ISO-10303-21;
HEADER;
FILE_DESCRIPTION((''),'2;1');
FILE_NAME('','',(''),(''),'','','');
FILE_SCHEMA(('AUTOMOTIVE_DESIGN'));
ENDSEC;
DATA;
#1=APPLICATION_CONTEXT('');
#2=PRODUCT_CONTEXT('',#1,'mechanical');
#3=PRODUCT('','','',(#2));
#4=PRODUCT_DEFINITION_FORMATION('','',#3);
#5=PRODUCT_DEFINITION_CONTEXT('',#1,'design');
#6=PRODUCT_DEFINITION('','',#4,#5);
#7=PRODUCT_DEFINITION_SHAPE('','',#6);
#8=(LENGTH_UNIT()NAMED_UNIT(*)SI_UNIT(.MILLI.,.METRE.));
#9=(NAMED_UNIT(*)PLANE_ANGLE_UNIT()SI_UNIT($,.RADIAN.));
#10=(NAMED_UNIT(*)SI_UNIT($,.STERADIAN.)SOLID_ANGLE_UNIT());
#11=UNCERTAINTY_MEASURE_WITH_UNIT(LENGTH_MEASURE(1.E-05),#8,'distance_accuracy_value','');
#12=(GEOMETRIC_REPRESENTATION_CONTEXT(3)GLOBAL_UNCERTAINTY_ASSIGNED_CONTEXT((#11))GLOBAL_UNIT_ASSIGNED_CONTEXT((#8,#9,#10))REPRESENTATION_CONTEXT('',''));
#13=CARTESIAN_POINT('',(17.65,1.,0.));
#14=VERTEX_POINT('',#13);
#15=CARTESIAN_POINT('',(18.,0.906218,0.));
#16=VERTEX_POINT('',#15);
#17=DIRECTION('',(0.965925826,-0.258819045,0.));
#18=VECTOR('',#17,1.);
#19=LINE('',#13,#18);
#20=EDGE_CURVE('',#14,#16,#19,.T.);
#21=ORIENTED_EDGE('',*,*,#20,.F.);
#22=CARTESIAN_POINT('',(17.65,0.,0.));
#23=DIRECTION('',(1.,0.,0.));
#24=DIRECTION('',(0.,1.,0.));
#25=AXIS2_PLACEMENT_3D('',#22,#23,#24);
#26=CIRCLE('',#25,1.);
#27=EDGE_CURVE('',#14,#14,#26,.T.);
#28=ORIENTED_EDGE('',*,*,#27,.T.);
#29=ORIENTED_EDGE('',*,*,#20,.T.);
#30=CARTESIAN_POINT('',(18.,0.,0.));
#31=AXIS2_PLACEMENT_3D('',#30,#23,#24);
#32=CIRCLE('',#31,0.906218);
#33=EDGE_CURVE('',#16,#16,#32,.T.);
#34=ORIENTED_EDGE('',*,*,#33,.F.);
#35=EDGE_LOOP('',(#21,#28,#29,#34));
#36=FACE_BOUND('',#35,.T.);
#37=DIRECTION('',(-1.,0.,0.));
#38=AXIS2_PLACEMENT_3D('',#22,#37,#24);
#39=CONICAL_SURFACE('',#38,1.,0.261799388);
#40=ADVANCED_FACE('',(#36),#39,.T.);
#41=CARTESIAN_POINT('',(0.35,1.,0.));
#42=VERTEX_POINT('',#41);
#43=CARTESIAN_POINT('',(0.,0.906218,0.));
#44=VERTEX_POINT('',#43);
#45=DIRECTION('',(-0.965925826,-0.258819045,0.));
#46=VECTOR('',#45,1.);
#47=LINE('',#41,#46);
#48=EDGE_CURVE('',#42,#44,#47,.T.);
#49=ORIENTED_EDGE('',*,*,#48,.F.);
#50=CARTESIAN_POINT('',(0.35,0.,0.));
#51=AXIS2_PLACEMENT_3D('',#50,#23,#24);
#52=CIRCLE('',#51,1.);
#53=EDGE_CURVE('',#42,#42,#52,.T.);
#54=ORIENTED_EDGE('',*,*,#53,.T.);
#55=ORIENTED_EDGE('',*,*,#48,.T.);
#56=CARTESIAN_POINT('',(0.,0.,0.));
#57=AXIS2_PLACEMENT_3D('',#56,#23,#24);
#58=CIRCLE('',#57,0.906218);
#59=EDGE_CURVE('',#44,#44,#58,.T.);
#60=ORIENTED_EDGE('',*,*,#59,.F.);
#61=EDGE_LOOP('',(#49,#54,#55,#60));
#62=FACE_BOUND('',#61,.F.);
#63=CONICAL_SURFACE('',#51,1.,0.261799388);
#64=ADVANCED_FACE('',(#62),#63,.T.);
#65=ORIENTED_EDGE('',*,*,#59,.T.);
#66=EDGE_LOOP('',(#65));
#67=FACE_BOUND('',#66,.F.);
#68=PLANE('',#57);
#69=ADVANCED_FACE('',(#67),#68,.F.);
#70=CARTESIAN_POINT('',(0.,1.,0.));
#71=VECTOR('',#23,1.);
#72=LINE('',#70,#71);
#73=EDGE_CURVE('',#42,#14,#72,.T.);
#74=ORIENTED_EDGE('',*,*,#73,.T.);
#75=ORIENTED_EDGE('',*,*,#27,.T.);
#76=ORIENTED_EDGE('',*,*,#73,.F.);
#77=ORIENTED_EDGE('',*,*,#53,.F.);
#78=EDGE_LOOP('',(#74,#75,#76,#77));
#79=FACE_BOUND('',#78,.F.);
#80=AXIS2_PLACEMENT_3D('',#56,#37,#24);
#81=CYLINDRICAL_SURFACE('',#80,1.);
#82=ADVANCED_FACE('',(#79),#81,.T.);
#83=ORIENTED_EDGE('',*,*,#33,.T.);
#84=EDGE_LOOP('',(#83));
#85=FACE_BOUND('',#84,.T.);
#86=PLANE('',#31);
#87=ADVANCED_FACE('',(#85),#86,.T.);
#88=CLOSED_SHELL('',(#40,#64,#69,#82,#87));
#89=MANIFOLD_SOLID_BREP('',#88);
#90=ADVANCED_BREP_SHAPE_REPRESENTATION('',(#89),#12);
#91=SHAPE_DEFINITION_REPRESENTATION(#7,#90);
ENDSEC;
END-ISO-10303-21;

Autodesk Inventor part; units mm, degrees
ref_plane "YZ Plane" through (0, 0, 0) normal (1, 0, 0) x (0, 1, 0)
ref_plane "XZ Plane" through (0, 0, 0) normal (0, 1, 0) x (-1, 0, 0)
ref_plane "XY Plane" through (0, 0, 0) normal (0, 0, 1) x (1, 0, 0)
sketch "Skizze" plane through (0, 0, 0) normal (1, 0, 0) x (0, 1, 0)
  circle A0 centre (0, 0) radius 1
  dimension "d1" = 2
extrude "Körper" add sketch "Skizze" along normal blind 18
chamfer "Fase1" distance 0.35 angle 15 1 edges at (0, -1, 0) measured on face at (12, 0.9968, -0.0805)
chamfer "Skizze2" distance 0.35 angle 15 1 edges at (18, -1, 0) measured on face at (12.1167, 0.9871, -0.1604)
equation "\"d1\" = NND"
equation "\"d2\" = NLG"
equation "\"d8\" = PHH"
equation "\"d9\" = FAWI"
equation "\"d12\" = PHH"
equation "\"d4\" = PHH"
equation "\"d5\" = FAWI"
equation "\"d11\" = PHH"
equation "\"NND\" = 2"
equation "\"NLG\" = 18"
equation "\"PHH\" = 0.35"
equation "\"FAWI\" = 15deg"
equation "\"KAH\" = 0"
properties part number "ISO 2338 - 2 h8 x 18" material "Edelstahl, austenitisch"
